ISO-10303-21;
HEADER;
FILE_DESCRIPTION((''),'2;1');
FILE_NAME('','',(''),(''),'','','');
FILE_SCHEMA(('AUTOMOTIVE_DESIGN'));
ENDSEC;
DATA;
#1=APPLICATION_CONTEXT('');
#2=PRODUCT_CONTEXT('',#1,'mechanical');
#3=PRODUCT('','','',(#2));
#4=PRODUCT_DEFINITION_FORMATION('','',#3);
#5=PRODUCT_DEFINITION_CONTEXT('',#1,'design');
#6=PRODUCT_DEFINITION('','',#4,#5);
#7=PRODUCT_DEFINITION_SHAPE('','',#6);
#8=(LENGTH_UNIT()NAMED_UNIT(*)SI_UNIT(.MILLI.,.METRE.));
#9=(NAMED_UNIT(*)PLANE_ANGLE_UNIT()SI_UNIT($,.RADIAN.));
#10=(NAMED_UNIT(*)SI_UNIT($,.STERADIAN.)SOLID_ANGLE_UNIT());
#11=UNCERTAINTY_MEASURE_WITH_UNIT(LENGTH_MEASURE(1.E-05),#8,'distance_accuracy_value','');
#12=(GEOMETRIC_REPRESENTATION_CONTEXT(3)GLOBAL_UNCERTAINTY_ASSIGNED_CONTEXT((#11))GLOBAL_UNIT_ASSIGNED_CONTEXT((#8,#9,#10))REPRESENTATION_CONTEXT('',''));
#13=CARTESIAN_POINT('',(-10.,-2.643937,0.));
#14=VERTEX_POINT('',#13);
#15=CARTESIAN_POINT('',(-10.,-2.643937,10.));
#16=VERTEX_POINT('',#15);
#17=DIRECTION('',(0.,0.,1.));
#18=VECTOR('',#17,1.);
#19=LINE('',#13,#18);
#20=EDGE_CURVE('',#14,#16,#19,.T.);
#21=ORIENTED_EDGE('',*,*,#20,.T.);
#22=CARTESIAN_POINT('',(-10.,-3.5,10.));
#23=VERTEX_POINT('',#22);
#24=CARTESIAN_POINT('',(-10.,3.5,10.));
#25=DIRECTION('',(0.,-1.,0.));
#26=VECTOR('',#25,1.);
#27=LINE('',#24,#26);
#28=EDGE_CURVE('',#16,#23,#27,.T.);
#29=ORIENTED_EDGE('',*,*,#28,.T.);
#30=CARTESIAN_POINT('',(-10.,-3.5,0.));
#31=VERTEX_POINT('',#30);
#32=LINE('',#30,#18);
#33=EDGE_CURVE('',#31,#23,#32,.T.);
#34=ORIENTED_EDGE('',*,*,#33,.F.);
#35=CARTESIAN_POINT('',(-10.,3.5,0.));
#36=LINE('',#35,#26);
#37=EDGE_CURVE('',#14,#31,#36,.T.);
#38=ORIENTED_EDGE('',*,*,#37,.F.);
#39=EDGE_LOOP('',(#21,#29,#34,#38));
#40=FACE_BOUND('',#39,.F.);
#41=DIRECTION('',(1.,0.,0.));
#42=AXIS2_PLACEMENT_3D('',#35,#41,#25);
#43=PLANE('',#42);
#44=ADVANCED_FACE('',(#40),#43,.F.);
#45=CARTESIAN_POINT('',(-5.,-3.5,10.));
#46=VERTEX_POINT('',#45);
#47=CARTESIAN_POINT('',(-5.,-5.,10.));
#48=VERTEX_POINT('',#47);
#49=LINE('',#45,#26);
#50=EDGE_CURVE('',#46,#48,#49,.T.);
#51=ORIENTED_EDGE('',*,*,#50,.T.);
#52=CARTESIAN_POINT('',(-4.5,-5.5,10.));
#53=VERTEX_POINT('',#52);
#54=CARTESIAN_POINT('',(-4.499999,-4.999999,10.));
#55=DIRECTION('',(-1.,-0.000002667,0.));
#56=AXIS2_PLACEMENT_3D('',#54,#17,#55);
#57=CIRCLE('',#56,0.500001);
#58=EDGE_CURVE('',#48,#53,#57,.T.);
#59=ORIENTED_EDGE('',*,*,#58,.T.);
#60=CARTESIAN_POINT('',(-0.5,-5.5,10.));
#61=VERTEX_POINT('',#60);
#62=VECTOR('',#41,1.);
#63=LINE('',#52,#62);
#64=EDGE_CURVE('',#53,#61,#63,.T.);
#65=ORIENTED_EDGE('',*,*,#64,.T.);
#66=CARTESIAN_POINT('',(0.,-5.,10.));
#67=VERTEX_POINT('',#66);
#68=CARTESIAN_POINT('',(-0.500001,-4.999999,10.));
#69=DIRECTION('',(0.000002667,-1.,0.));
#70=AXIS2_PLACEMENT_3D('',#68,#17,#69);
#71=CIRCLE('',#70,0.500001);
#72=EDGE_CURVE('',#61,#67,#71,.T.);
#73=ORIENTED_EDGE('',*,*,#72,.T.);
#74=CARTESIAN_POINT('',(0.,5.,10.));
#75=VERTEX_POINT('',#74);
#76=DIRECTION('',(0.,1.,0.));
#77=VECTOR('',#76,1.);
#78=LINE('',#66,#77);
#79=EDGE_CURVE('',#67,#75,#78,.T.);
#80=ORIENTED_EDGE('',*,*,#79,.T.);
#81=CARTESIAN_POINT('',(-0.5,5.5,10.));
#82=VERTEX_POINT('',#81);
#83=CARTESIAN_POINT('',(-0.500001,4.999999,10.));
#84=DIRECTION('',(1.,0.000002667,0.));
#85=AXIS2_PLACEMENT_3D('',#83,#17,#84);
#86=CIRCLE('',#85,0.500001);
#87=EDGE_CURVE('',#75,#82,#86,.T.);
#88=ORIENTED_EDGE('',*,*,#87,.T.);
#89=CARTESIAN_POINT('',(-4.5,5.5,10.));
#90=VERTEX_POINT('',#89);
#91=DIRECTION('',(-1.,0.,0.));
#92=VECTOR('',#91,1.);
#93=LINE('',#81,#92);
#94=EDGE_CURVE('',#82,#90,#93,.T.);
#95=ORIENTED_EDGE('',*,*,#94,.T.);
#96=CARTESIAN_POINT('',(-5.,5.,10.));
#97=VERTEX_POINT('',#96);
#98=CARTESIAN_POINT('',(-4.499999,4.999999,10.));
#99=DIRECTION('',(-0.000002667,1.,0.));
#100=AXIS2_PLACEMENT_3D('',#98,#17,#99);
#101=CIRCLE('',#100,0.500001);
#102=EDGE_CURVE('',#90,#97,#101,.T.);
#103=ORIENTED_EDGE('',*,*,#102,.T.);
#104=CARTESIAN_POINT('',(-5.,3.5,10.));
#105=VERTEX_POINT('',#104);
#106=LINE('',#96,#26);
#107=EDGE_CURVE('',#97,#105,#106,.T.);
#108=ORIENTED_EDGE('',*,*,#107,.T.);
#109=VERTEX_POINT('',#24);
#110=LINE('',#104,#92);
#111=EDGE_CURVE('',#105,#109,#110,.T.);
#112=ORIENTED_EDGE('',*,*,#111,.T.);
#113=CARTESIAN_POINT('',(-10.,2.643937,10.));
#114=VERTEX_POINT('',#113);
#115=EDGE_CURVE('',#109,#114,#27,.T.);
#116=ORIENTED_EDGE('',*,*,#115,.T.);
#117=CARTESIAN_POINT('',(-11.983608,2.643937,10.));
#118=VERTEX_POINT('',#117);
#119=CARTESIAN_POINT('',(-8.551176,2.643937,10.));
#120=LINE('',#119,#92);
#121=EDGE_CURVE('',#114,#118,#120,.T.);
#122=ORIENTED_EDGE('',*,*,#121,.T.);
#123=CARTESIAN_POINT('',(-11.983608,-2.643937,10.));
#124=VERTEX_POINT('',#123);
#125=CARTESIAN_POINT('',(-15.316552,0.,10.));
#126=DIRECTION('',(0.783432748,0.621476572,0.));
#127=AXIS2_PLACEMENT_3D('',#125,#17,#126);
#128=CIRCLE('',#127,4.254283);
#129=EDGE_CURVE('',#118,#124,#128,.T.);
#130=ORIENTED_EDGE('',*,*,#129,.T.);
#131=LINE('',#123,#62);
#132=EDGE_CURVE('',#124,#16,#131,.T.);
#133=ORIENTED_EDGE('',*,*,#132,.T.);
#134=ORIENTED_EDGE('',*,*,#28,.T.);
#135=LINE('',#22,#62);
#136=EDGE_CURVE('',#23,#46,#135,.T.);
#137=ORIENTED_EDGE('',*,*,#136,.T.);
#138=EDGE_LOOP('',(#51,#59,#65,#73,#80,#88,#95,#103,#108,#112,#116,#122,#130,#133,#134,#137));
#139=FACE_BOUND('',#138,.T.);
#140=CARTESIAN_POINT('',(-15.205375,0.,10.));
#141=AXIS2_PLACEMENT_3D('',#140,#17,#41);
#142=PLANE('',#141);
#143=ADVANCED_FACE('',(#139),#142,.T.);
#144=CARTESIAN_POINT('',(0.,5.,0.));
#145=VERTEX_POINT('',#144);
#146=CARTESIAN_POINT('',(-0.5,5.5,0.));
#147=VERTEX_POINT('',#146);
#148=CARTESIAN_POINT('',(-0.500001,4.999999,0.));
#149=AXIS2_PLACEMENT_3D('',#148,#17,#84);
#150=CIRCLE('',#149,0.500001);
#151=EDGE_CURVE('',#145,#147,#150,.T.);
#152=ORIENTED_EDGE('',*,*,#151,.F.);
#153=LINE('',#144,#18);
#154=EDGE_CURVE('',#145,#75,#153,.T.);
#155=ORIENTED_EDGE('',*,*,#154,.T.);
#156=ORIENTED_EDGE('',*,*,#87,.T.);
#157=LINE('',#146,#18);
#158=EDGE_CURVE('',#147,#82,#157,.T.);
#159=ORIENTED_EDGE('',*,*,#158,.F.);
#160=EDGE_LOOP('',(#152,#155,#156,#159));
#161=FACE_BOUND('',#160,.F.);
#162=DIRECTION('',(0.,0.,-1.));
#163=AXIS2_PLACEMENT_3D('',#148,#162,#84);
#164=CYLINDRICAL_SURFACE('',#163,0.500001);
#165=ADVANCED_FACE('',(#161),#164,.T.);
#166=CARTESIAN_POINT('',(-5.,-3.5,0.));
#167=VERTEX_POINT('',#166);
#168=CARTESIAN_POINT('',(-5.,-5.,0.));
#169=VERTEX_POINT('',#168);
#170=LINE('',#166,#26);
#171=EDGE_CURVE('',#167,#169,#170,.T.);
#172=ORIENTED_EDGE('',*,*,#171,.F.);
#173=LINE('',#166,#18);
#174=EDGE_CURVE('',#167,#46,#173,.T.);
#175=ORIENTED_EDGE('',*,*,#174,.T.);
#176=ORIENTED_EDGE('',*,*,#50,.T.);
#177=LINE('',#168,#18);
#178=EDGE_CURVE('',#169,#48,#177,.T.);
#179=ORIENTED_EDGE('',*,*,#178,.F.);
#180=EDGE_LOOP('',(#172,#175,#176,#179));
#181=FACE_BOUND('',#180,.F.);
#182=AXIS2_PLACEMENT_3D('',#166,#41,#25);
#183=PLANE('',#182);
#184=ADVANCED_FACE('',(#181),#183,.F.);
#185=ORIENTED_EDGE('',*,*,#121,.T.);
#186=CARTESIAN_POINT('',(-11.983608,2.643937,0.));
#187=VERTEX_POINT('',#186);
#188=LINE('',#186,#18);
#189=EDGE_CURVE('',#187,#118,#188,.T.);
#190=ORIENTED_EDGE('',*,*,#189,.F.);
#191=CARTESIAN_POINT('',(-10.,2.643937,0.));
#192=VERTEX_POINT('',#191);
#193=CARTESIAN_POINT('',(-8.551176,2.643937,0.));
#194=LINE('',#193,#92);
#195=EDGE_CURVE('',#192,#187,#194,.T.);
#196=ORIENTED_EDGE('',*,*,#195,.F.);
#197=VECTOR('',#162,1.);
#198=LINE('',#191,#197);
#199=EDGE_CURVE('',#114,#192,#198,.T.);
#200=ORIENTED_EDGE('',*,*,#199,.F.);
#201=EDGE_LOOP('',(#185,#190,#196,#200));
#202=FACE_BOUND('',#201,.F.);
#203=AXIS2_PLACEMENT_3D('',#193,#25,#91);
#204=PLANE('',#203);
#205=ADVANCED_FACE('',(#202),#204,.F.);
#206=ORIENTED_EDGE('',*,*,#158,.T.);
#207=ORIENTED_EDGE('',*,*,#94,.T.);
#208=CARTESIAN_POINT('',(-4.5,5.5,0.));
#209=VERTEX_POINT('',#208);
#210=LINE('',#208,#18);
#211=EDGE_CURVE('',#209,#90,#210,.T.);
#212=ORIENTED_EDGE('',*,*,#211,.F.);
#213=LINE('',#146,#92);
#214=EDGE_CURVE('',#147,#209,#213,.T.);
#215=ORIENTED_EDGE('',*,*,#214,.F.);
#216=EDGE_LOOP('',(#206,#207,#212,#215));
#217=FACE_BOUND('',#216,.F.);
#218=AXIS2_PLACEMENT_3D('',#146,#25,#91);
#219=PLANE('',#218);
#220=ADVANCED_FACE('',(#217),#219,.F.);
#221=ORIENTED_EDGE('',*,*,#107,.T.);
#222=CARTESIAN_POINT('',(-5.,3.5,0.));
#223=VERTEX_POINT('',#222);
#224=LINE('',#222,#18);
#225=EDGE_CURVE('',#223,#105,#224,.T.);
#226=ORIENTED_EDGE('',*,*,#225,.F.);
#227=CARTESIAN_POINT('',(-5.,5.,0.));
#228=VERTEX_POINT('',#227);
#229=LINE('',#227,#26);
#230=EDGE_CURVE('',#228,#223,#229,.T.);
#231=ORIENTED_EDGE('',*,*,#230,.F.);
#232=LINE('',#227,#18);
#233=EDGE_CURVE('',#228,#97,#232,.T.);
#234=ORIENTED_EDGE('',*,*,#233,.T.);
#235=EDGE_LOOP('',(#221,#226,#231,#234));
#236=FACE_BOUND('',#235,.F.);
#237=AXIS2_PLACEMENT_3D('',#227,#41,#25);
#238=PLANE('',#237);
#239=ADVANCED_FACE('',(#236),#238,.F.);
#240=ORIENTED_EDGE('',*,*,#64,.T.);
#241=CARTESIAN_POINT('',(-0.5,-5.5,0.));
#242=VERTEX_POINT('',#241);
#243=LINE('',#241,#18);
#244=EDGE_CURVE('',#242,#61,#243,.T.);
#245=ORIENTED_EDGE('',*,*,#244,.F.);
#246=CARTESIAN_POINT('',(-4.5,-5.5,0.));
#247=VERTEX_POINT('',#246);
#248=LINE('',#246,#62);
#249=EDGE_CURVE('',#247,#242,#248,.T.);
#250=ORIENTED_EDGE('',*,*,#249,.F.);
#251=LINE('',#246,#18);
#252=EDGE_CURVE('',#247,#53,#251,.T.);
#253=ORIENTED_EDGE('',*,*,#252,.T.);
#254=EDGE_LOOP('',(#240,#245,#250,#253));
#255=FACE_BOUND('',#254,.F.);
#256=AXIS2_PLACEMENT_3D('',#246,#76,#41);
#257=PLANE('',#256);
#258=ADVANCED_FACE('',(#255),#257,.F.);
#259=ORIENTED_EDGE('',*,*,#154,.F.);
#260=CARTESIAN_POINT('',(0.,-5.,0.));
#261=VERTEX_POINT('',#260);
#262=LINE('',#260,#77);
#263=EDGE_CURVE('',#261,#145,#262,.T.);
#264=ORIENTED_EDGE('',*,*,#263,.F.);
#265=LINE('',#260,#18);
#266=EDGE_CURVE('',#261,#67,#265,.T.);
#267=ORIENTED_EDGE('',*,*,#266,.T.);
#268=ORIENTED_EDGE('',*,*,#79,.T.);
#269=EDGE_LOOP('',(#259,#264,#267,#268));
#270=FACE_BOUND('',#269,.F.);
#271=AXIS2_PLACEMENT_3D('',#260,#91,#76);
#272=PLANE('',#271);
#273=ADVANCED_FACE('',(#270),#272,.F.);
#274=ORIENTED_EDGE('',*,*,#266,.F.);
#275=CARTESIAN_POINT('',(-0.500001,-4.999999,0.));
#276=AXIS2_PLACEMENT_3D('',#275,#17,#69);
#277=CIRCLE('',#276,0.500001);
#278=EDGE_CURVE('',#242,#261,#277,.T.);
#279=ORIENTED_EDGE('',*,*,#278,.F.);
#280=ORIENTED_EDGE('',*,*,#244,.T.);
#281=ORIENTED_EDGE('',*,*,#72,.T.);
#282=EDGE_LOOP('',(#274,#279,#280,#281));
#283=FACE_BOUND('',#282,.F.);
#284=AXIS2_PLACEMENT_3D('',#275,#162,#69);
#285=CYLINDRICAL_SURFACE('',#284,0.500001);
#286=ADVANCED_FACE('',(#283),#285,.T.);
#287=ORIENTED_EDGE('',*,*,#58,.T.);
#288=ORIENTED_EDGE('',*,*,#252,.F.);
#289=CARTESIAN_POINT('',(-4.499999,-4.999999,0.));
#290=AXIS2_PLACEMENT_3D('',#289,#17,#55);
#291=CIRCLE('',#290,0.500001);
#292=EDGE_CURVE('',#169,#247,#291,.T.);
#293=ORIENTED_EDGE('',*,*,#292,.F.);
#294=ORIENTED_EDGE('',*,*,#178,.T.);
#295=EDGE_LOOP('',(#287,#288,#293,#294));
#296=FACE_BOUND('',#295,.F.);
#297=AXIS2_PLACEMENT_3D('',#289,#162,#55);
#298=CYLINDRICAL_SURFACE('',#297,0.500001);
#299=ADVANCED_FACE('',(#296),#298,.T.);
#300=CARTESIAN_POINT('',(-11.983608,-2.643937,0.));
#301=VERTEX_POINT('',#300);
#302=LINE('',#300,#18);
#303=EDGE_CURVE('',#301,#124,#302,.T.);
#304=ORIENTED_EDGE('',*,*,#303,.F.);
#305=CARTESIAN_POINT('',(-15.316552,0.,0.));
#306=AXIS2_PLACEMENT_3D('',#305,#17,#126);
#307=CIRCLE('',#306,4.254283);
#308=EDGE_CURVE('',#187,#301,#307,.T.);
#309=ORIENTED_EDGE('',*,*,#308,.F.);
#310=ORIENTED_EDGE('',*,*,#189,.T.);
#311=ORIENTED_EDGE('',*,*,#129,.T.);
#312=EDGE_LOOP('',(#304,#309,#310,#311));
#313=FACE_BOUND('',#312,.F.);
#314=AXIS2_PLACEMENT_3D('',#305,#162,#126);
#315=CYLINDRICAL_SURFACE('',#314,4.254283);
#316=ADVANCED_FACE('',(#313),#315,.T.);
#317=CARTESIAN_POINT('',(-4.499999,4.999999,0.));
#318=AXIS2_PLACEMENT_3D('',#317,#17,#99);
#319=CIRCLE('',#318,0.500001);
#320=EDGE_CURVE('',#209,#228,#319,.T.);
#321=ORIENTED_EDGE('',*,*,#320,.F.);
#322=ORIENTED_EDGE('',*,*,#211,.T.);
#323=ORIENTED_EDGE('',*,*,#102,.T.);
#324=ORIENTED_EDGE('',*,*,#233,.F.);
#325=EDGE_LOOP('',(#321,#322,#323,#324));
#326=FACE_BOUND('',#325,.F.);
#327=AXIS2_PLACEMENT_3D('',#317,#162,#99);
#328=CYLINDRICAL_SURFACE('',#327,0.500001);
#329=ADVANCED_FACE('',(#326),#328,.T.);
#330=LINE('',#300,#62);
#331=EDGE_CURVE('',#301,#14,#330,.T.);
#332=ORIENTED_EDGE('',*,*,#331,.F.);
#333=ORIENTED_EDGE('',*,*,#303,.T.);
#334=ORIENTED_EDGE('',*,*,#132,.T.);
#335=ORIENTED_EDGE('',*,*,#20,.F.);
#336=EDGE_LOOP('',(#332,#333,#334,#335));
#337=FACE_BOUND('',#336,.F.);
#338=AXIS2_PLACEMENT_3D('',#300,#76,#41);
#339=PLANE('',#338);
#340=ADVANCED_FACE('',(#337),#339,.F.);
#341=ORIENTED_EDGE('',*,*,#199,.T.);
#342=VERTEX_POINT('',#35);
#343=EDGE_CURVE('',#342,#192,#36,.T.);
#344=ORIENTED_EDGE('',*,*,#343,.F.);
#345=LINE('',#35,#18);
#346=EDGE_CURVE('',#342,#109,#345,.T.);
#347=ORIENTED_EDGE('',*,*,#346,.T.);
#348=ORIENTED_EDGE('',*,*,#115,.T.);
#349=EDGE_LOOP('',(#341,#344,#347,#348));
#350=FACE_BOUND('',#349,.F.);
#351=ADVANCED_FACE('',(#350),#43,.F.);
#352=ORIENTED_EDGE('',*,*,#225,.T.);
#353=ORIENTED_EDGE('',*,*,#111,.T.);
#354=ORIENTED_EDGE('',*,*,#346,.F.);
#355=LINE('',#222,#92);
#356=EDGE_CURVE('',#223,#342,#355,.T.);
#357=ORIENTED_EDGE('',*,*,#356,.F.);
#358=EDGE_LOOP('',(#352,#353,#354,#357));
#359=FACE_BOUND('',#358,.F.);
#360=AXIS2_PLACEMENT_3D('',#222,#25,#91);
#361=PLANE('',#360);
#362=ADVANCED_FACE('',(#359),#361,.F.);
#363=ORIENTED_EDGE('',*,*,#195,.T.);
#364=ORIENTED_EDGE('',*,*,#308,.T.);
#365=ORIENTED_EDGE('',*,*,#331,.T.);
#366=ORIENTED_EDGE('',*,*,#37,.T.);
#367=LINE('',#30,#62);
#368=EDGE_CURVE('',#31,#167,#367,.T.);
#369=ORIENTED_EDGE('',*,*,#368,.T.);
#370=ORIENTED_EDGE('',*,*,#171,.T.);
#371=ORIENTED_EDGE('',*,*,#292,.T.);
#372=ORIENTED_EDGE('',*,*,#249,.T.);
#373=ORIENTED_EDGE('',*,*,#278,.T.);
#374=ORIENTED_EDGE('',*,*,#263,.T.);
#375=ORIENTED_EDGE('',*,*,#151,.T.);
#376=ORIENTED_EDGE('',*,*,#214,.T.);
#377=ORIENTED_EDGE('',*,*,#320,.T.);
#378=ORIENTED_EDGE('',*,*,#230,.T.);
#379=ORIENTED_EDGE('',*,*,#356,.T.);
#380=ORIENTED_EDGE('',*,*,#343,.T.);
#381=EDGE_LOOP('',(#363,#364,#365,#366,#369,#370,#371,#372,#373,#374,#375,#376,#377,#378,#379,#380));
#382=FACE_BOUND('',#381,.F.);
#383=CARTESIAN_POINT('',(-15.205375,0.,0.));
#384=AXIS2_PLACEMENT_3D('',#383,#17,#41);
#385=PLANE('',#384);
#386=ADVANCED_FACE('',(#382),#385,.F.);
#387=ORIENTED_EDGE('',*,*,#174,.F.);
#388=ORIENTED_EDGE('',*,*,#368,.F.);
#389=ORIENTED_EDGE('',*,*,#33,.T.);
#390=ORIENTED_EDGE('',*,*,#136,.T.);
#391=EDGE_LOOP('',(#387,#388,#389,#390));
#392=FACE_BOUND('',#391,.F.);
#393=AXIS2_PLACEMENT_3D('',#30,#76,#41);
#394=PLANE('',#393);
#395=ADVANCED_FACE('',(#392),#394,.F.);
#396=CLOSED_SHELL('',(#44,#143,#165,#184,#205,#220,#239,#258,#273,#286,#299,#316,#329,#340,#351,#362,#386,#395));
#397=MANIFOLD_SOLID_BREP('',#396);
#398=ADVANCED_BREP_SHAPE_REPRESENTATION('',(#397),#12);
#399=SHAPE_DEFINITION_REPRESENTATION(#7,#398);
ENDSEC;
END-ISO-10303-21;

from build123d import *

# Parameters (mm, degrees)
F1_DEPTH = 10
F3_DEPTH = 10


with BuildPart() as f1:
    # F0 (on Top) → F1 (new body)
    with BuildSketch(Plane.XY):
        with BuildLine():
            Line((0, -5), (0, 0))
            Line((0, 0), (0, 5))
            ThreePointArc((0, 5), (-0.146447, 5.353553), (-0.5, 5.5))
            Line((-0.5, 5.5), (-4.5, 5.5))
            ThreePointArc((-4.5, 5.5), (-4.853553, 5.353553), (-5, 5))
            Line((-5, 5), (-5, 3.5))
            Line((-5, 3.5), (-10, 3.5))
            Line((-10, 3.5), (-10, 0))
            Line((-10, 0), (-10, -3.5))
            Line((-10, -3.5), (-5, -3.5))
            Line((-5, -3.5), (-5, -5))
            ThreePointArc((-5, -5), (-4.853553, -5.353553), (-4.5, -5.5))
            Line((-4.5, -5.5), (-0.5, -5.5))
            ThreePointArc((-0.5, -5.5), (-0.146447, -5.353553), (0, -5))
        make_face()
    extrude(amount=F1_DEPTH)

    # F2 (on Top) → F3 (join)
    with BuildSketch(Plane.XY):
        with BuildLine():
            Line((-12.59485, 2.643937), (-11.983608, 2.643937))
            ThreePointArc((-11.983608, 2.643937), (-19.570835, 0), (-11.983608, -2.643937))
            Line((-11.983608, -2.643937), (-12.59485, -2.643937))
            Line((-12.59485, -2.643937), (-12.59485, 2.643937))
        make_face()
        with BuildLine():
            ThreePointArc((-11.983608, -2.643937), (-11.299202, -1.399934), (-11.06227, 0))
            ThreePointArc((-11.06227, 0), (-11.299202, 1.399934), (-11.983608, 2.643937))
            Line((-11.983608, 2.643937), (-12.59485, 2.643937))
            Line((-12.59485, 2.643937), (-12.59485, -2.643937))
            Line((-12.59485, -2.643937), (-11.983608, -2.643937))
        make_face()
        with BuildLine():
            ThreePointArc((-11.983608, 2.643937), (-11.299202, 1.399934), (-11.06227, 0))
            ThreePointArc((-11.06227, 0), (-11.299202, -1.399934), (-11.983608, -2.643937))
            Line((-11.983608, -2.643937), (-8.551176, -2.643937))
            Line((-8.551176, -2.643937), (-8.551176, 2.643937))
            Line((-8.551176, 2.643937), (-11.983608, 2.643937))
        make_face()
    extrude(amount=F3_DEPTH)


solid = f1.part
